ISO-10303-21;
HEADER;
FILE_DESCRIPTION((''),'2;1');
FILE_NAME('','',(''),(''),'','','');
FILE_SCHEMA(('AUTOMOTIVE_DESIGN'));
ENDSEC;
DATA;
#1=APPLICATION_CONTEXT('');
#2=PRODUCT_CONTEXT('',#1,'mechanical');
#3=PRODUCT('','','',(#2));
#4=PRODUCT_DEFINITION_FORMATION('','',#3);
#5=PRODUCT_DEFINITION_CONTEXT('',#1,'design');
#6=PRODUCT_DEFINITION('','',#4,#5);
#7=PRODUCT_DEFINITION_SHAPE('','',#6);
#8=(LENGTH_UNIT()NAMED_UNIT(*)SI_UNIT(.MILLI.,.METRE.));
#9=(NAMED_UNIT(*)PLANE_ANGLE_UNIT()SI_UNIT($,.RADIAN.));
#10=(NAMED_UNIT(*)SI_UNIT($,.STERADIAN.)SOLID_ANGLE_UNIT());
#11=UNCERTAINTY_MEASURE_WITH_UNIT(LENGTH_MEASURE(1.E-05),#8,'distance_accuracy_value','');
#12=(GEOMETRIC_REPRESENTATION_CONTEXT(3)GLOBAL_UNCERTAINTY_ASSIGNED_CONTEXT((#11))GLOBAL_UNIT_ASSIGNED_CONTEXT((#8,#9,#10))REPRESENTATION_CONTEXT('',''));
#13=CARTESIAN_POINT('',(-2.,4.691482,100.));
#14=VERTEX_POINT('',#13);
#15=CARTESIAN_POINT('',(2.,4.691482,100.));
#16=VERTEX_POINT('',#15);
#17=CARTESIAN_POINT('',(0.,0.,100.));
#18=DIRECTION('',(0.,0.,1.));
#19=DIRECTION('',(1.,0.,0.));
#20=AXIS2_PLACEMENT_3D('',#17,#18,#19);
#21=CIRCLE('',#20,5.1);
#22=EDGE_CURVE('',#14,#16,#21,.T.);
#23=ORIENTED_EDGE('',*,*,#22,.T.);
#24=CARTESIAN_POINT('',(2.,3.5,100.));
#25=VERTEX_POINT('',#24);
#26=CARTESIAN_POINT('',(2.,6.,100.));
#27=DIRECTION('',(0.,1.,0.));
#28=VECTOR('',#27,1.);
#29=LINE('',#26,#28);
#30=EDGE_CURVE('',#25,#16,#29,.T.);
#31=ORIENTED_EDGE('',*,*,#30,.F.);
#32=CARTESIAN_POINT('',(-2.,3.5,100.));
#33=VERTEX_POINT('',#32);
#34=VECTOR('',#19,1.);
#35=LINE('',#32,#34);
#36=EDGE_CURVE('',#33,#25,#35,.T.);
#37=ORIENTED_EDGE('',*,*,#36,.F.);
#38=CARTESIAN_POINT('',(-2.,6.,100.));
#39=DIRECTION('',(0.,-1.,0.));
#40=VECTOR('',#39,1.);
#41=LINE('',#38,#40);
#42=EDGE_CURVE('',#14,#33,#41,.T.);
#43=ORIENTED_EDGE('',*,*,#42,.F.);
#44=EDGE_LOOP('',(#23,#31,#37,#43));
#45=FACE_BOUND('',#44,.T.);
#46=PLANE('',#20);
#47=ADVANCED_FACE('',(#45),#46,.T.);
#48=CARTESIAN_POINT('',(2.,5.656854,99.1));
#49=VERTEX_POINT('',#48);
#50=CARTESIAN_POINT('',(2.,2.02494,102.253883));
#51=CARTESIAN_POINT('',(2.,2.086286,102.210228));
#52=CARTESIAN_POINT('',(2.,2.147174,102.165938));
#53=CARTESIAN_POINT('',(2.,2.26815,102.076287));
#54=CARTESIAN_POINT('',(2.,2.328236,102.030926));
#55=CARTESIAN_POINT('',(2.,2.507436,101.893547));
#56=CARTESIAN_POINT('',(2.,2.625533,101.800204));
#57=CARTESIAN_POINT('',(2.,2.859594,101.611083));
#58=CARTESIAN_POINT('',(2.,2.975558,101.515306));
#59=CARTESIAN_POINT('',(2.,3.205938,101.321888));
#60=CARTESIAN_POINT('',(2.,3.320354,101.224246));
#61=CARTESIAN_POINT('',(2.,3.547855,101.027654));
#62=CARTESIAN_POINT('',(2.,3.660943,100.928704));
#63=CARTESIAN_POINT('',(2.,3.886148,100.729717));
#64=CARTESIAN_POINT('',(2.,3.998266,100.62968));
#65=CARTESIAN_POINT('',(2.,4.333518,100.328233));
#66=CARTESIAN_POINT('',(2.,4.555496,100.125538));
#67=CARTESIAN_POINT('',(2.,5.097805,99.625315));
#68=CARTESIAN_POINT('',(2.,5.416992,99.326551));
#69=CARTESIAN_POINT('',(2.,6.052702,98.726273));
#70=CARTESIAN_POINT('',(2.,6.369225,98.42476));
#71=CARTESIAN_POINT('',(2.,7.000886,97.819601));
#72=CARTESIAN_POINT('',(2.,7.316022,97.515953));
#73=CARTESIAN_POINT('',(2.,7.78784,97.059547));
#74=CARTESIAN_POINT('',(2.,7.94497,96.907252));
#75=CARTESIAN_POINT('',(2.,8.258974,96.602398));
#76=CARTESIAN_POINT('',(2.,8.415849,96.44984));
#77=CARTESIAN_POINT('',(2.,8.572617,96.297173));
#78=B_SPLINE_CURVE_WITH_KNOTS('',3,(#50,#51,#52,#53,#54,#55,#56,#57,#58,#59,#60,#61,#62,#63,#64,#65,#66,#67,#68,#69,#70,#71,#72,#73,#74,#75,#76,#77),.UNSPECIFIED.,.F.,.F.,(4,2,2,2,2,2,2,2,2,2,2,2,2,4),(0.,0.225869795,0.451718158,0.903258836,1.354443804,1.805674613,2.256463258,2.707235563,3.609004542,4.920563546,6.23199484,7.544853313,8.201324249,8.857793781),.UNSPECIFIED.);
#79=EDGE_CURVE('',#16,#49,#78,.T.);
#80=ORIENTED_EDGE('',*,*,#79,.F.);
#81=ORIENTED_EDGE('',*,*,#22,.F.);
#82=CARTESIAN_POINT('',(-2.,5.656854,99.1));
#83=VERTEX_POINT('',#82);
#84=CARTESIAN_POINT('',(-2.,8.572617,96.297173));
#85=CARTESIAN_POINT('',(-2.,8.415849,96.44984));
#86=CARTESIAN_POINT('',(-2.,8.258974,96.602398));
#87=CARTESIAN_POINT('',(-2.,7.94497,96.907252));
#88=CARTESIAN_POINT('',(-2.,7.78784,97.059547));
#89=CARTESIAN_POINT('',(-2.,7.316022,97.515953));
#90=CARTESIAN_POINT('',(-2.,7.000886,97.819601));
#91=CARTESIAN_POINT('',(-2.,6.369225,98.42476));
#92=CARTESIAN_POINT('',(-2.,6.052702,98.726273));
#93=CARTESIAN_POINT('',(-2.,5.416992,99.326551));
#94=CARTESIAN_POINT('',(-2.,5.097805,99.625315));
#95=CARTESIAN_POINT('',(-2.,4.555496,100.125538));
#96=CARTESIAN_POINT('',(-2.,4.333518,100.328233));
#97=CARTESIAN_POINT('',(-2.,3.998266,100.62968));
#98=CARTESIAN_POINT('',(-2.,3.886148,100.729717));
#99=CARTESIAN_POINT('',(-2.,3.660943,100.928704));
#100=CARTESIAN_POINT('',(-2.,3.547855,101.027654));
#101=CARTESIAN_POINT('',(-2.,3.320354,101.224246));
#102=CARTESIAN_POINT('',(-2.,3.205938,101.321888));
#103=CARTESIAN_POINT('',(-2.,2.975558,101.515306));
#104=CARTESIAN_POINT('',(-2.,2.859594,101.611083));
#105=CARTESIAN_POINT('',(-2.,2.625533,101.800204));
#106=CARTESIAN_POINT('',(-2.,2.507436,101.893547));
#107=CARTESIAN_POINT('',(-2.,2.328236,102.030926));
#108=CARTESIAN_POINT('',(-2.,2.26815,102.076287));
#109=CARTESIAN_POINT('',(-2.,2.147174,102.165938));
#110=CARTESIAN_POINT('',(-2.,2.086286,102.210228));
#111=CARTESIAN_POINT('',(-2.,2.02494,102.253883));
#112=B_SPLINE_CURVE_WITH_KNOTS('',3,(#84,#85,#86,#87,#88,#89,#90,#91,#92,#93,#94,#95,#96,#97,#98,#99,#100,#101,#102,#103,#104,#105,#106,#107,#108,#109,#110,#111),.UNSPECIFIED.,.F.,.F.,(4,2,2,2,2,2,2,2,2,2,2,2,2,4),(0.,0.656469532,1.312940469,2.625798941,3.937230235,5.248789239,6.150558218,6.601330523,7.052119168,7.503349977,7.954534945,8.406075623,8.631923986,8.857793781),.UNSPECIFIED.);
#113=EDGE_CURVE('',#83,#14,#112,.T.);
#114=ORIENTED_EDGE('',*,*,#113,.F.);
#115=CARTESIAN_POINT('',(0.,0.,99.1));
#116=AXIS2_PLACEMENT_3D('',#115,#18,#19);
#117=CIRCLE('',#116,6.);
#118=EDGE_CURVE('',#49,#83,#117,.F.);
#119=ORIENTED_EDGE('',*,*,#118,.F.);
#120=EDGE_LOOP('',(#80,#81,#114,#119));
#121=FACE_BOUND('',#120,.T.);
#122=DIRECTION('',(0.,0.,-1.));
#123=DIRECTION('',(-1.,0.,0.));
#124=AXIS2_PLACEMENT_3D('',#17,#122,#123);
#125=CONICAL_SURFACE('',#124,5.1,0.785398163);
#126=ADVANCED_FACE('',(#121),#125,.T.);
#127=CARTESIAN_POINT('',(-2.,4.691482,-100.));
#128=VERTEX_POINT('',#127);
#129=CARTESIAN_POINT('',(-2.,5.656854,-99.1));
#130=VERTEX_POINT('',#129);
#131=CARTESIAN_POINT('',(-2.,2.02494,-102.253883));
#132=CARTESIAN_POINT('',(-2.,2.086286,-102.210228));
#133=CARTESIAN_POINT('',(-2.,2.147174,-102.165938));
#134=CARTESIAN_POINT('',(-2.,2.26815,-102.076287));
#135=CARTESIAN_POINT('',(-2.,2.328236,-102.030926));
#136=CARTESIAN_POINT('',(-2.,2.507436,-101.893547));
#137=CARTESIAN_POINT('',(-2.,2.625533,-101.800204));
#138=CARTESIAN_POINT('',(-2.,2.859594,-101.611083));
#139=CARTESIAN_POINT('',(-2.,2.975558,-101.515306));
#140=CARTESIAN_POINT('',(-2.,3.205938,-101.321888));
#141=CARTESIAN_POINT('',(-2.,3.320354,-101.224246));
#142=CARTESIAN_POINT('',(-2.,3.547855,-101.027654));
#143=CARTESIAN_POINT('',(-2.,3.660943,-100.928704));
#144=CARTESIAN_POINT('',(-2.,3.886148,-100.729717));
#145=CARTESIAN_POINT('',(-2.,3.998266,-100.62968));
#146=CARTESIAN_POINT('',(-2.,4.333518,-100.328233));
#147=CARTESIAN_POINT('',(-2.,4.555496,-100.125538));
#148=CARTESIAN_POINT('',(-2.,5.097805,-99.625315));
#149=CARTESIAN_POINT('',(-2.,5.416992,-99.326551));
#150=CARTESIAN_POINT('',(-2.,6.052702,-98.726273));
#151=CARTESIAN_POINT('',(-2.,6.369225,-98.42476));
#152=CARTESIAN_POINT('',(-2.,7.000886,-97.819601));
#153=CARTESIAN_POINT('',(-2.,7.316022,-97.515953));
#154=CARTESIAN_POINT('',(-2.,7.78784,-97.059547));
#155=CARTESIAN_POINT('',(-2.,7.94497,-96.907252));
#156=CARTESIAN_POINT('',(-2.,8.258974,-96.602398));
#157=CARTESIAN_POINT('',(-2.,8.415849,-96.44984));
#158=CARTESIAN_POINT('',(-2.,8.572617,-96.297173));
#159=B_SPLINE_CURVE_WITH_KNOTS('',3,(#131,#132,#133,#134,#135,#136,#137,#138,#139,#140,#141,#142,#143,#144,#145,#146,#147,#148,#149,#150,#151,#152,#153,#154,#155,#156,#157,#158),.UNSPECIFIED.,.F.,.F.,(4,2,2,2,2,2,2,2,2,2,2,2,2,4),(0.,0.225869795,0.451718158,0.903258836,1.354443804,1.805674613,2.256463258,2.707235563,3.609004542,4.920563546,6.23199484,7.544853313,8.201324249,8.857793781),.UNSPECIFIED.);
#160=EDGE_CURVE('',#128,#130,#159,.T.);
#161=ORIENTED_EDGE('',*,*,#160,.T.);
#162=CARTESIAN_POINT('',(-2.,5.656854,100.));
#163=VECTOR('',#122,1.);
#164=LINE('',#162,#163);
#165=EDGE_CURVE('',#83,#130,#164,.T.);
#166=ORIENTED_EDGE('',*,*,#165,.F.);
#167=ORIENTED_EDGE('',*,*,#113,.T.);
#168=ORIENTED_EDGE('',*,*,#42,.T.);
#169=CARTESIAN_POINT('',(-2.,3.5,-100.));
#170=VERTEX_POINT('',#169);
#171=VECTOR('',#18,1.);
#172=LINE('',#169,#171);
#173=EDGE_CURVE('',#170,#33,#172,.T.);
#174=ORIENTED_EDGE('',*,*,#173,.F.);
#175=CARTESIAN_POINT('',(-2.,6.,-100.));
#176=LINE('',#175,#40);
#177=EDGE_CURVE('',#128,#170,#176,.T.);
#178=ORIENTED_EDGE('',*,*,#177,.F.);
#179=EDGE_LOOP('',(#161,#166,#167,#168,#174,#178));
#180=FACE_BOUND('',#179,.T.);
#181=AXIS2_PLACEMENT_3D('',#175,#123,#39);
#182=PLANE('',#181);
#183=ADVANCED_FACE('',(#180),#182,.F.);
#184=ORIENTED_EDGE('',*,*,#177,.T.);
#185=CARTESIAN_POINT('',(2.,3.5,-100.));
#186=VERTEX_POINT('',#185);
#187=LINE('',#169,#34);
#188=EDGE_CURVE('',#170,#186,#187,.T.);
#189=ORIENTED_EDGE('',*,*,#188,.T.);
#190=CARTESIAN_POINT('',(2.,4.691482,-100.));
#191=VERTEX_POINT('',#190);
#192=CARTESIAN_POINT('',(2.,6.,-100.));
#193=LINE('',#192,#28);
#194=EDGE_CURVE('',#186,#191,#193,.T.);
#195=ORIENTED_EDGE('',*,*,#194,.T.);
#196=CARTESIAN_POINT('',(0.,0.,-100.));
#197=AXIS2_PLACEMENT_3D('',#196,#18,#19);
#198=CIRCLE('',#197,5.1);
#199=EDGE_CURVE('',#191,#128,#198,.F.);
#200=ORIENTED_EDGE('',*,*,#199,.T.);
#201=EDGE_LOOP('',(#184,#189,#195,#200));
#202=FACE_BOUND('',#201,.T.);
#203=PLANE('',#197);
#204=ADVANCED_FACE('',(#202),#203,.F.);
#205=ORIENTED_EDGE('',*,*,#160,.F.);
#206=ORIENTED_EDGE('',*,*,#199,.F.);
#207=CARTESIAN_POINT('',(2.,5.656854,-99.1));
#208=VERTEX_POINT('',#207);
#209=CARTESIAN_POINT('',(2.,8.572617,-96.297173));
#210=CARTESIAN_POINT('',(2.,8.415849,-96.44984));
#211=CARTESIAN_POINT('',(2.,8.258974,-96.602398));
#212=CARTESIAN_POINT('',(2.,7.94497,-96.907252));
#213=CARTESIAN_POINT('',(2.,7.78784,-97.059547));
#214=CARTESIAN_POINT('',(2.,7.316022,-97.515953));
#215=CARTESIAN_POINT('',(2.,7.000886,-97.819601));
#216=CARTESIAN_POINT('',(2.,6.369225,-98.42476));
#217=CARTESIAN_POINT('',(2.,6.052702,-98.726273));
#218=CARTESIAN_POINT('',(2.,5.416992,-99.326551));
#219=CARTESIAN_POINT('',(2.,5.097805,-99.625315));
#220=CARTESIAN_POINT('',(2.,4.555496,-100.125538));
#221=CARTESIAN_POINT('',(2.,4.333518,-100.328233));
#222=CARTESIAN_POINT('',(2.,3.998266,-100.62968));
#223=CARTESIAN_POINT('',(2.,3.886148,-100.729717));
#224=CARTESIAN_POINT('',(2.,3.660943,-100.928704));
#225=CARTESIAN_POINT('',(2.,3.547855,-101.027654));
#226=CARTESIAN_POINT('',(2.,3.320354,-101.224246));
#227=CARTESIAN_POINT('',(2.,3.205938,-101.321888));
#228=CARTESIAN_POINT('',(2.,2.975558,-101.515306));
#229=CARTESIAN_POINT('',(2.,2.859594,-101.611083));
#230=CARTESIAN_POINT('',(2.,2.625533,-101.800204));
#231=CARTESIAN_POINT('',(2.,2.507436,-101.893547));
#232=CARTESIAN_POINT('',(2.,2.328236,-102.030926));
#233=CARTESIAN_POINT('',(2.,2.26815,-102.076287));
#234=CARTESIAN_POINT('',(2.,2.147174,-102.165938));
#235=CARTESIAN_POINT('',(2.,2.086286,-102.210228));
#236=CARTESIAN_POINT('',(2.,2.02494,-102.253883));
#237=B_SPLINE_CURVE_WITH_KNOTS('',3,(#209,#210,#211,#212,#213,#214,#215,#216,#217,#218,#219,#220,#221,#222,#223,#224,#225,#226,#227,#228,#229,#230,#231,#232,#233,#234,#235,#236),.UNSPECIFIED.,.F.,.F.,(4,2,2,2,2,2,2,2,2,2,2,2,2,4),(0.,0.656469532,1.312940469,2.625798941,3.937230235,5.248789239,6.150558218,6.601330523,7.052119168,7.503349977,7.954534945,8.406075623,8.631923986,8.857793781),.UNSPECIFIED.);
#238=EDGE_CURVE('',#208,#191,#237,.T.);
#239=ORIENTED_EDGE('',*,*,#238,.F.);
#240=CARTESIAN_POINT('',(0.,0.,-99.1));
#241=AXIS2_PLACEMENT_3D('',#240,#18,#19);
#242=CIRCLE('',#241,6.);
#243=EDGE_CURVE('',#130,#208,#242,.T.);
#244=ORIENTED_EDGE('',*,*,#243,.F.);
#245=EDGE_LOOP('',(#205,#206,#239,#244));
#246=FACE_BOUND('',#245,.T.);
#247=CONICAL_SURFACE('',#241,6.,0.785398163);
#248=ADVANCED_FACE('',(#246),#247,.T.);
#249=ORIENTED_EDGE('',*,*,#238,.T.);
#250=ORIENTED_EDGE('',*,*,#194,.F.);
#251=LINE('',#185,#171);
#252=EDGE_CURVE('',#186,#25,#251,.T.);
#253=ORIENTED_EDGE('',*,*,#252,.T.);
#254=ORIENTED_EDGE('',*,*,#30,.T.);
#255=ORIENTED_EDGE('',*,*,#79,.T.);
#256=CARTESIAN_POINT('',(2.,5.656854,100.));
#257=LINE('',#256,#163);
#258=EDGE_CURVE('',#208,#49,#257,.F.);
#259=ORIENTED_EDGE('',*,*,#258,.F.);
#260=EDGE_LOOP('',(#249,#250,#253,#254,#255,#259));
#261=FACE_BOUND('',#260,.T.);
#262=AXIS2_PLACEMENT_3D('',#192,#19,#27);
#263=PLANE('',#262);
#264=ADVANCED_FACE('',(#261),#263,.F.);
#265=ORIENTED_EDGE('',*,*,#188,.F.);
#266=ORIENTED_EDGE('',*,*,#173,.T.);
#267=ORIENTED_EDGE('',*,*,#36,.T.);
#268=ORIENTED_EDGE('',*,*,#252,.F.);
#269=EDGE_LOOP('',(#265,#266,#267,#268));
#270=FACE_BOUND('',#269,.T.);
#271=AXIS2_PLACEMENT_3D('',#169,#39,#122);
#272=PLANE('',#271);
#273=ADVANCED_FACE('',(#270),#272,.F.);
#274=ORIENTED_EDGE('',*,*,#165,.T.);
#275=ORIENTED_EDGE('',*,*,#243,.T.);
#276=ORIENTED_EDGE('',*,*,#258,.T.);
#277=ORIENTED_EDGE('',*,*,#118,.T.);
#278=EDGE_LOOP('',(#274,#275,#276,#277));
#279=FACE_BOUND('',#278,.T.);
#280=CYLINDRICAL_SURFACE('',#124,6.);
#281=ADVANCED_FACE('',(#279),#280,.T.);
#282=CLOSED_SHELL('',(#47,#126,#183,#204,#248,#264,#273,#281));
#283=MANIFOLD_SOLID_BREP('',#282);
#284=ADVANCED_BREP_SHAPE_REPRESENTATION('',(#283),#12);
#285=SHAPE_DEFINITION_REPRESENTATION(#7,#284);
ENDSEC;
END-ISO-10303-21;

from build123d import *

# Parameters (mm, degrees)
SKETCH1_R           = 6
EXTRUDE1_DEPTH      = 100
CHAMFER1_SIZE       = 0.9
EXTRUDE2_DEPTH      = 101.359354322
EXTRUDE2_DEPTH_BACK = 101.359354322
SKETCH3_W           = 4
SKETCH3_H           = 2.5


with BuildPart() as part:
    # Sketch1 → Extrude1 (new, symmetric)
    with BuildSketch(Plane.XY):
        Circle(SKETCH1_R)
    extrude(amount=EXTRUDE1_DEPTH, both=True)

    # Chamfer1
    chamfer1_edges = [part.edges().sort_by_distance(p)[0] for p in [
        (-6, 0, -100),
        (-6, 0, 100),
    ]]
    chamfer(chamfer1_edges, length=CHAMFER1_SIZE)

    # Sketch3 → Extrude2 (cut, two sides: drawn at the far end of the back side and taken through both)
    with BuildSketch(Plane.XY.offset(-EXTRUDE2_DEPTH_BACK)):
        with Locations((0, 4.75)):
            Rectangle(SKETCH3_W, SKETCH3_H)
    extrude(amount=EXTRUDE2_DEPTH + EXTRUDE2_DEPTH_BACK, mode=Mode.SUBTRACT)


solid = part.part
